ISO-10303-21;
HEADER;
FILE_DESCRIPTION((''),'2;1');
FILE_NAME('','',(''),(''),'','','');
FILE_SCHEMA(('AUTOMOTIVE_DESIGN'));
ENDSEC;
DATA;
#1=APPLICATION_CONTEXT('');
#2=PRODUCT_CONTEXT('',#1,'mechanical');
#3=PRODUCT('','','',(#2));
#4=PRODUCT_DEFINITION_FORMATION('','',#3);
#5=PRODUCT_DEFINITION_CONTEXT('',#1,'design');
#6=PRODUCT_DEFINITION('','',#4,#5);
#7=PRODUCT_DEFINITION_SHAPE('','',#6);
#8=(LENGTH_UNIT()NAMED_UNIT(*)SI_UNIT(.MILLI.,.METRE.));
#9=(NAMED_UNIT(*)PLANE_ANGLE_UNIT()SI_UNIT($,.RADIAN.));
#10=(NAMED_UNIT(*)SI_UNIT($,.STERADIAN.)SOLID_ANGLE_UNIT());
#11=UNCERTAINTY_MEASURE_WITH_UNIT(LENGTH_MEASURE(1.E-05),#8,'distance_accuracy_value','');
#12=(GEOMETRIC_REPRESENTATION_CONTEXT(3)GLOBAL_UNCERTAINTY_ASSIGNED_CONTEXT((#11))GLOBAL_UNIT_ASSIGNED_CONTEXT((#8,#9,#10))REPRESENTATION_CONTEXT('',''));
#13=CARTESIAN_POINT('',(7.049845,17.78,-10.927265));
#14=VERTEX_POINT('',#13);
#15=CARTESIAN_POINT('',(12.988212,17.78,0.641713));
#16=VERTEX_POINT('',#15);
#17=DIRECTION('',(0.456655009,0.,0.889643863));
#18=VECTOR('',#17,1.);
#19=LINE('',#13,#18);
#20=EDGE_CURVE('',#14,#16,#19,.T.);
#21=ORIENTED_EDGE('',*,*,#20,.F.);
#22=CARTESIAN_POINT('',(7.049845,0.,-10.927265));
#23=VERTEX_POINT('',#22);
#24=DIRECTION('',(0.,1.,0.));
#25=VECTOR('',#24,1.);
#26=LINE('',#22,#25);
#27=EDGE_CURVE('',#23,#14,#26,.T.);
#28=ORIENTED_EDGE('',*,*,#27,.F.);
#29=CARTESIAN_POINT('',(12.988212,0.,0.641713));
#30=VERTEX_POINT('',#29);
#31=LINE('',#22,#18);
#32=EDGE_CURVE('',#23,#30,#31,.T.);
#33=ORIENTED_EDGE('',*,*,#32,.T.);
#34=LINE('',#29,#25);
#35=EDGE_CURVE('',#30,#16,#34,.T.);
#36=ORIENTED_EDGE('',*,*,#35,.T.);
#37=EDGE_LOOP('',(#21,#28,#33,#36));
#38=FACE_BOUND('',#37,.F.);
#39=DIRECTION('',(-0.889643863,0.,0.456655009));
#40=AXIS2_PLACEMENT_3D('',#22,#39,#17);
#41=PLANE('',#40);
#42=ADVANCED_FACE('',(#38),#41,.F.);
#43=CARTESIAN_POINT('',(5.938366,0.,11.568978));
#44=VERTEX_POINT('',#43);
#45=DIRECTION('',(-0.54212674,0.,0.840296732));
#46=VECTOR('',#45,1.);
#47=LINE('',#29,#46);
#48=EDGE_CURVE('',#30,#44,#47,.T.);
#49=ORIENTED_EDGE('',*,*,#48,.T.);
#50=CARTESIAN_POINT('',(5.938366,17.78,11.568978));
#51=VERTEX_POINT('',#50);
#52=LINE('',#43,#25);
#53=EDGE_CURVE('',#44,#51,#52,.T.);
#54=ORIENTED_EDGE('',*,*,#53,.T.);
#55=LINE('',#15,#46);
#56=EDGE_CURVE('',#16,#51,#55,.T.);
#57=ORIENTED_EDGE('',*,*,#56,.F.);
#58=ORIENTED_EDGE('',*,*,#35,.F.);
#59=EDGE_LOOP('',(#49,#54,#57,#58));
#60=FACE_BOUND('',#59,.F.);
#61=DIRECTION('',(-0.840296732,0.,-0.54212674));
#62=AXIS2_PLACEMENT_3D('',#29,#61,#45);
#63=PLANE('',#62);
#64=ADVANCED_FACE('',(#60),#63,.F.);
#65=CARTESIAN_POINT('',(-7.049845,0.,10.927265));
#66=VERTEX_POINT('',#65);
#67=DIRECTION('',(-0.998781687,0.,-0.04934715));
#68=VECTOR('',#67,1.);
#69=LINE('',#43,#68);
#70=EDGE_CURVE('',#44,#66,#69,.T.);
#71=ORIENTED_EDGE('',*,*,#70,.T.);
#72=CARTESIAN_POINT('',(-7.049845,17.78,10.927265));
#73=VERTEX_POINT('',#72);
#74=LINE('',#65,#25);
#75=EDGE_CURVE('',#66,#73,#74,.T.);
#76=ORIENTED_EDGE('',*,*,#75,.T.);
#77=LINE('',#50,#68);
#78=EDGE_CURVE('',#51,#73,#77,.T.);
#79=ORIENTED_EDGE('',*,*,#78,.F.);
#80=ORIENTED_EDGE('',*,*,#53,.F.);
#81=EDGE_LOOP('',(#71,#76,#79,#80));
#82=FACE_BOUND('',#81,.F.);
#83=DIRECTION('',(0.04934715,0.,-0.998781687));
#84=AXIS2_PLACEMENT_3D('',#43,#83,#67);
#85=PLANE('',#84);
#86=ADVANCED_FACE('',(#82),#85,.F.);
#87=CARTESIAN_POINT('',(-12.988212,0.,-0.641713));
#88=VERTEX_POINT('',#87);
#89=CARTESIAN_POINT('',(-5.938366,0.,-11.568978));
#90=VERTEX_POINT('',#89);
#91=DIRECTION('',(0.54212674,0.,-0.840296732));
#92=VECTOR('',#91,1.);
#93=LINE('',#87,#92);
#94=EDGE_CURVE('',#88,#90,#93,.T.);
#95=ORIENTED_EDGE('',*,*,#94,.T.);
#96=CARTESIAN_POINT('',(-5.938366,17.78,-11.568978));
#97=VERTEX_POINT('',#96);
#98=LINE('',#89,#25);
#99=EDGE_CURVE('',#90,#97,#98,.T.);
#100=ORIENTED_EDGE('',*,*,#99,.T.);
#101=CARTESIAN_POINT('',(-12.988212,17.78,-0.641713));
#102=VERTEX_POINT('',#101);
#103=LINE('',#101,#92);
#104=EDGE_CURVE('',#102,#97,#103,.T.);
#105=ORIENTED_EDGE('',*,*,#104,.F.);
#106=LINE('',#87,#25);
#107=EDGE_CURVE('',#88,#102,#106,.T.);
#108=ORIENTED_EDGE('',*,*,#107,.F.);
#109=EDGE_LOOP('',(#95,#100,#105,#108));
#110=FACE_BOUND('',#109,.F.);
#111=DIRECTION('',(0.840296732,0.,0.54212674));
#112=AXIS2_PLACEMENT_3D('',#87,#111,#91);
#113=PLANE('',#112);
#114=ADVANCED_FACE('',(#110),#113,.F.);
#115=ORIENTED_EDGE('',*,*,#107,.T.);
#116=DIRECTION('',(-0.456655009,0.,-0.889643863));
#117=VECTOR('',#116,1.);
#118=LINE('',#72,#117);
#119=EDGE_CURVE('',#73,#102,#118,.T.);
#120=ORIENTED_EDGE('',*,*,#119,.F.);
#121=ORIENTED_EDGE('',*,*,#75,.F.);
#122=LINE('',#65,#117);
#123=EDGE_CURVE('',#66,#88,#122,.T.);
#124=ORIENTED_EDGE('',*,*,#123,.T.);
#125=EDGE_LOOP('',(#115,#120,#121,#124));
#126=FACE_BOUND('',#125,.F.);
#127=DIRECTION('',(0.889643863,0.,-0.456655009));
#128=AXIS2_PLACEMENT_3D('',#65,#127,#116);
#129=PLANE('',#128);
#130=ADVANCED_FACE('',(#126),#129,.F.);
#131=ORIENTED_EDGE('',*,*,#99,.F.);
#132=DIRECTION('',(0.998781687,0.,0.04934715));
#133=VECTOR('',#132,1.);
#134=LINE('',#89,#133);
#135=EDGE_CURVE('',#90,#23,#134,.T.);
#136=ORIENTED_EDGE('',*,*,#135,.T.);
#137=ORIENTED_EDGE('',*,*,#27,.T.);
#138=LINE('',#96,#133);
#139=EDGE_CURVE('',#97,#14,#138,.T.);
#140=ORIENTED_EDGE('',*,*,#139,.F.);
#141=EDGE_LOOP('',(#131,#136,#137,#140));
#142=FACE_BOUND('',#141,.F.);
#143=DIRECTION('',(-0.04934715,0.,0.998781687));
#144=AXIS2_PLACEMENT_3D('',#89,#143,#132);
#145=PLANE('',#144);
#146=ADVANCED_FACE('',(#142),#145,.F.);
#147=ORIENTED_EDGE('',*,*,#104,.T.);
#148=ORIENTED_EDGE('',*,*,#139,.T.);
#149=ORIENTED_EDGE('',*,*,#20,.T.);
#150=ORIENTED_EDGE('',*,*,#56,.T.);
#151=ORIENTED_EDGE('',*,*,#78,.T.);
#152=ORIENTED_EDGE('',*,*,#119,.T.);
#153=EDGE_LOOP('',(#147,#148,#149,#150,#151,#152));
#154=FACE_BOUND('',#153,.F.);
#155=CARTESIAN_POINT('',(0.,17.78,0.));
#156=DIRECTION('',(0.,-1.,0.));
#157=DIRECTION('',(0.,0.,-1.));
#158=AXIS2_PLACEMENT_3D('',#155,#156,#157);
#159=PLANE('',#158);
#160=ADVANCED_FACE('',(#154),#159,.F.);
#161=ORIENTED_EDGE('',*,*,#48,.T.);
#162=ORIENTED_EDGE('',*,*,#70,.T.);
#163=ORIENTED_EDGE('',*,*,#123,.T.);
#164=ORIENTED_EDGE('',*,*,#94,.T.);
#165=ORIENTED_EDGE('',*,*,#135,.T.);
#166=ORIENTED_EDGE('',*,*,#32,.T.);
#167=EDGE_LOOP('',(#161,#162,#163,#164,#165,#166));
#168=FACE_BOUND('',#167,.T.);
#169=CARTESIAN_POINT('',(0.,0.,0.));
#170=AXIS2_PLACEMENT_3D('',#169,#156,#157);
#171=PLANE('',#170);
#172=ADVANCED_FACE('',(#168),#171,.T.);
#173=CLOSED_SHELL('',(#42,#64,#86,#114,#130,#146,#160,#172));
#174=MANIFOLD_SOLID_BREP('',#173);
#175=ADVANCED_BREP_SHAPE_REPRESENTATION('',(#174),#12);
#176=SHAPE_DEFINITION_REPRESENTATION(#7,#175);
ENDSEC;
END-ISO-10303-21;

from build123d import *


with BuildPart() as f2:
    # F2: sweep along a path in F1
    with BuildLine(Plane.XY) as f2_path:
        Line((0, 0), (0, 17.78))
    # F0 (on Front) → F2 (sweep)
    with BuildSketch(Plane.XZ):
        Polygon((12.988212, 0.641713), (5.938366, 11.568978), (-7.049845, 10.927265), (-12.988212, -0.641713), (-5.938366, -11.568978), (7.049845, -10.927265), align=None)
    sweep(path=f2_path.line)


solid = f2.part
